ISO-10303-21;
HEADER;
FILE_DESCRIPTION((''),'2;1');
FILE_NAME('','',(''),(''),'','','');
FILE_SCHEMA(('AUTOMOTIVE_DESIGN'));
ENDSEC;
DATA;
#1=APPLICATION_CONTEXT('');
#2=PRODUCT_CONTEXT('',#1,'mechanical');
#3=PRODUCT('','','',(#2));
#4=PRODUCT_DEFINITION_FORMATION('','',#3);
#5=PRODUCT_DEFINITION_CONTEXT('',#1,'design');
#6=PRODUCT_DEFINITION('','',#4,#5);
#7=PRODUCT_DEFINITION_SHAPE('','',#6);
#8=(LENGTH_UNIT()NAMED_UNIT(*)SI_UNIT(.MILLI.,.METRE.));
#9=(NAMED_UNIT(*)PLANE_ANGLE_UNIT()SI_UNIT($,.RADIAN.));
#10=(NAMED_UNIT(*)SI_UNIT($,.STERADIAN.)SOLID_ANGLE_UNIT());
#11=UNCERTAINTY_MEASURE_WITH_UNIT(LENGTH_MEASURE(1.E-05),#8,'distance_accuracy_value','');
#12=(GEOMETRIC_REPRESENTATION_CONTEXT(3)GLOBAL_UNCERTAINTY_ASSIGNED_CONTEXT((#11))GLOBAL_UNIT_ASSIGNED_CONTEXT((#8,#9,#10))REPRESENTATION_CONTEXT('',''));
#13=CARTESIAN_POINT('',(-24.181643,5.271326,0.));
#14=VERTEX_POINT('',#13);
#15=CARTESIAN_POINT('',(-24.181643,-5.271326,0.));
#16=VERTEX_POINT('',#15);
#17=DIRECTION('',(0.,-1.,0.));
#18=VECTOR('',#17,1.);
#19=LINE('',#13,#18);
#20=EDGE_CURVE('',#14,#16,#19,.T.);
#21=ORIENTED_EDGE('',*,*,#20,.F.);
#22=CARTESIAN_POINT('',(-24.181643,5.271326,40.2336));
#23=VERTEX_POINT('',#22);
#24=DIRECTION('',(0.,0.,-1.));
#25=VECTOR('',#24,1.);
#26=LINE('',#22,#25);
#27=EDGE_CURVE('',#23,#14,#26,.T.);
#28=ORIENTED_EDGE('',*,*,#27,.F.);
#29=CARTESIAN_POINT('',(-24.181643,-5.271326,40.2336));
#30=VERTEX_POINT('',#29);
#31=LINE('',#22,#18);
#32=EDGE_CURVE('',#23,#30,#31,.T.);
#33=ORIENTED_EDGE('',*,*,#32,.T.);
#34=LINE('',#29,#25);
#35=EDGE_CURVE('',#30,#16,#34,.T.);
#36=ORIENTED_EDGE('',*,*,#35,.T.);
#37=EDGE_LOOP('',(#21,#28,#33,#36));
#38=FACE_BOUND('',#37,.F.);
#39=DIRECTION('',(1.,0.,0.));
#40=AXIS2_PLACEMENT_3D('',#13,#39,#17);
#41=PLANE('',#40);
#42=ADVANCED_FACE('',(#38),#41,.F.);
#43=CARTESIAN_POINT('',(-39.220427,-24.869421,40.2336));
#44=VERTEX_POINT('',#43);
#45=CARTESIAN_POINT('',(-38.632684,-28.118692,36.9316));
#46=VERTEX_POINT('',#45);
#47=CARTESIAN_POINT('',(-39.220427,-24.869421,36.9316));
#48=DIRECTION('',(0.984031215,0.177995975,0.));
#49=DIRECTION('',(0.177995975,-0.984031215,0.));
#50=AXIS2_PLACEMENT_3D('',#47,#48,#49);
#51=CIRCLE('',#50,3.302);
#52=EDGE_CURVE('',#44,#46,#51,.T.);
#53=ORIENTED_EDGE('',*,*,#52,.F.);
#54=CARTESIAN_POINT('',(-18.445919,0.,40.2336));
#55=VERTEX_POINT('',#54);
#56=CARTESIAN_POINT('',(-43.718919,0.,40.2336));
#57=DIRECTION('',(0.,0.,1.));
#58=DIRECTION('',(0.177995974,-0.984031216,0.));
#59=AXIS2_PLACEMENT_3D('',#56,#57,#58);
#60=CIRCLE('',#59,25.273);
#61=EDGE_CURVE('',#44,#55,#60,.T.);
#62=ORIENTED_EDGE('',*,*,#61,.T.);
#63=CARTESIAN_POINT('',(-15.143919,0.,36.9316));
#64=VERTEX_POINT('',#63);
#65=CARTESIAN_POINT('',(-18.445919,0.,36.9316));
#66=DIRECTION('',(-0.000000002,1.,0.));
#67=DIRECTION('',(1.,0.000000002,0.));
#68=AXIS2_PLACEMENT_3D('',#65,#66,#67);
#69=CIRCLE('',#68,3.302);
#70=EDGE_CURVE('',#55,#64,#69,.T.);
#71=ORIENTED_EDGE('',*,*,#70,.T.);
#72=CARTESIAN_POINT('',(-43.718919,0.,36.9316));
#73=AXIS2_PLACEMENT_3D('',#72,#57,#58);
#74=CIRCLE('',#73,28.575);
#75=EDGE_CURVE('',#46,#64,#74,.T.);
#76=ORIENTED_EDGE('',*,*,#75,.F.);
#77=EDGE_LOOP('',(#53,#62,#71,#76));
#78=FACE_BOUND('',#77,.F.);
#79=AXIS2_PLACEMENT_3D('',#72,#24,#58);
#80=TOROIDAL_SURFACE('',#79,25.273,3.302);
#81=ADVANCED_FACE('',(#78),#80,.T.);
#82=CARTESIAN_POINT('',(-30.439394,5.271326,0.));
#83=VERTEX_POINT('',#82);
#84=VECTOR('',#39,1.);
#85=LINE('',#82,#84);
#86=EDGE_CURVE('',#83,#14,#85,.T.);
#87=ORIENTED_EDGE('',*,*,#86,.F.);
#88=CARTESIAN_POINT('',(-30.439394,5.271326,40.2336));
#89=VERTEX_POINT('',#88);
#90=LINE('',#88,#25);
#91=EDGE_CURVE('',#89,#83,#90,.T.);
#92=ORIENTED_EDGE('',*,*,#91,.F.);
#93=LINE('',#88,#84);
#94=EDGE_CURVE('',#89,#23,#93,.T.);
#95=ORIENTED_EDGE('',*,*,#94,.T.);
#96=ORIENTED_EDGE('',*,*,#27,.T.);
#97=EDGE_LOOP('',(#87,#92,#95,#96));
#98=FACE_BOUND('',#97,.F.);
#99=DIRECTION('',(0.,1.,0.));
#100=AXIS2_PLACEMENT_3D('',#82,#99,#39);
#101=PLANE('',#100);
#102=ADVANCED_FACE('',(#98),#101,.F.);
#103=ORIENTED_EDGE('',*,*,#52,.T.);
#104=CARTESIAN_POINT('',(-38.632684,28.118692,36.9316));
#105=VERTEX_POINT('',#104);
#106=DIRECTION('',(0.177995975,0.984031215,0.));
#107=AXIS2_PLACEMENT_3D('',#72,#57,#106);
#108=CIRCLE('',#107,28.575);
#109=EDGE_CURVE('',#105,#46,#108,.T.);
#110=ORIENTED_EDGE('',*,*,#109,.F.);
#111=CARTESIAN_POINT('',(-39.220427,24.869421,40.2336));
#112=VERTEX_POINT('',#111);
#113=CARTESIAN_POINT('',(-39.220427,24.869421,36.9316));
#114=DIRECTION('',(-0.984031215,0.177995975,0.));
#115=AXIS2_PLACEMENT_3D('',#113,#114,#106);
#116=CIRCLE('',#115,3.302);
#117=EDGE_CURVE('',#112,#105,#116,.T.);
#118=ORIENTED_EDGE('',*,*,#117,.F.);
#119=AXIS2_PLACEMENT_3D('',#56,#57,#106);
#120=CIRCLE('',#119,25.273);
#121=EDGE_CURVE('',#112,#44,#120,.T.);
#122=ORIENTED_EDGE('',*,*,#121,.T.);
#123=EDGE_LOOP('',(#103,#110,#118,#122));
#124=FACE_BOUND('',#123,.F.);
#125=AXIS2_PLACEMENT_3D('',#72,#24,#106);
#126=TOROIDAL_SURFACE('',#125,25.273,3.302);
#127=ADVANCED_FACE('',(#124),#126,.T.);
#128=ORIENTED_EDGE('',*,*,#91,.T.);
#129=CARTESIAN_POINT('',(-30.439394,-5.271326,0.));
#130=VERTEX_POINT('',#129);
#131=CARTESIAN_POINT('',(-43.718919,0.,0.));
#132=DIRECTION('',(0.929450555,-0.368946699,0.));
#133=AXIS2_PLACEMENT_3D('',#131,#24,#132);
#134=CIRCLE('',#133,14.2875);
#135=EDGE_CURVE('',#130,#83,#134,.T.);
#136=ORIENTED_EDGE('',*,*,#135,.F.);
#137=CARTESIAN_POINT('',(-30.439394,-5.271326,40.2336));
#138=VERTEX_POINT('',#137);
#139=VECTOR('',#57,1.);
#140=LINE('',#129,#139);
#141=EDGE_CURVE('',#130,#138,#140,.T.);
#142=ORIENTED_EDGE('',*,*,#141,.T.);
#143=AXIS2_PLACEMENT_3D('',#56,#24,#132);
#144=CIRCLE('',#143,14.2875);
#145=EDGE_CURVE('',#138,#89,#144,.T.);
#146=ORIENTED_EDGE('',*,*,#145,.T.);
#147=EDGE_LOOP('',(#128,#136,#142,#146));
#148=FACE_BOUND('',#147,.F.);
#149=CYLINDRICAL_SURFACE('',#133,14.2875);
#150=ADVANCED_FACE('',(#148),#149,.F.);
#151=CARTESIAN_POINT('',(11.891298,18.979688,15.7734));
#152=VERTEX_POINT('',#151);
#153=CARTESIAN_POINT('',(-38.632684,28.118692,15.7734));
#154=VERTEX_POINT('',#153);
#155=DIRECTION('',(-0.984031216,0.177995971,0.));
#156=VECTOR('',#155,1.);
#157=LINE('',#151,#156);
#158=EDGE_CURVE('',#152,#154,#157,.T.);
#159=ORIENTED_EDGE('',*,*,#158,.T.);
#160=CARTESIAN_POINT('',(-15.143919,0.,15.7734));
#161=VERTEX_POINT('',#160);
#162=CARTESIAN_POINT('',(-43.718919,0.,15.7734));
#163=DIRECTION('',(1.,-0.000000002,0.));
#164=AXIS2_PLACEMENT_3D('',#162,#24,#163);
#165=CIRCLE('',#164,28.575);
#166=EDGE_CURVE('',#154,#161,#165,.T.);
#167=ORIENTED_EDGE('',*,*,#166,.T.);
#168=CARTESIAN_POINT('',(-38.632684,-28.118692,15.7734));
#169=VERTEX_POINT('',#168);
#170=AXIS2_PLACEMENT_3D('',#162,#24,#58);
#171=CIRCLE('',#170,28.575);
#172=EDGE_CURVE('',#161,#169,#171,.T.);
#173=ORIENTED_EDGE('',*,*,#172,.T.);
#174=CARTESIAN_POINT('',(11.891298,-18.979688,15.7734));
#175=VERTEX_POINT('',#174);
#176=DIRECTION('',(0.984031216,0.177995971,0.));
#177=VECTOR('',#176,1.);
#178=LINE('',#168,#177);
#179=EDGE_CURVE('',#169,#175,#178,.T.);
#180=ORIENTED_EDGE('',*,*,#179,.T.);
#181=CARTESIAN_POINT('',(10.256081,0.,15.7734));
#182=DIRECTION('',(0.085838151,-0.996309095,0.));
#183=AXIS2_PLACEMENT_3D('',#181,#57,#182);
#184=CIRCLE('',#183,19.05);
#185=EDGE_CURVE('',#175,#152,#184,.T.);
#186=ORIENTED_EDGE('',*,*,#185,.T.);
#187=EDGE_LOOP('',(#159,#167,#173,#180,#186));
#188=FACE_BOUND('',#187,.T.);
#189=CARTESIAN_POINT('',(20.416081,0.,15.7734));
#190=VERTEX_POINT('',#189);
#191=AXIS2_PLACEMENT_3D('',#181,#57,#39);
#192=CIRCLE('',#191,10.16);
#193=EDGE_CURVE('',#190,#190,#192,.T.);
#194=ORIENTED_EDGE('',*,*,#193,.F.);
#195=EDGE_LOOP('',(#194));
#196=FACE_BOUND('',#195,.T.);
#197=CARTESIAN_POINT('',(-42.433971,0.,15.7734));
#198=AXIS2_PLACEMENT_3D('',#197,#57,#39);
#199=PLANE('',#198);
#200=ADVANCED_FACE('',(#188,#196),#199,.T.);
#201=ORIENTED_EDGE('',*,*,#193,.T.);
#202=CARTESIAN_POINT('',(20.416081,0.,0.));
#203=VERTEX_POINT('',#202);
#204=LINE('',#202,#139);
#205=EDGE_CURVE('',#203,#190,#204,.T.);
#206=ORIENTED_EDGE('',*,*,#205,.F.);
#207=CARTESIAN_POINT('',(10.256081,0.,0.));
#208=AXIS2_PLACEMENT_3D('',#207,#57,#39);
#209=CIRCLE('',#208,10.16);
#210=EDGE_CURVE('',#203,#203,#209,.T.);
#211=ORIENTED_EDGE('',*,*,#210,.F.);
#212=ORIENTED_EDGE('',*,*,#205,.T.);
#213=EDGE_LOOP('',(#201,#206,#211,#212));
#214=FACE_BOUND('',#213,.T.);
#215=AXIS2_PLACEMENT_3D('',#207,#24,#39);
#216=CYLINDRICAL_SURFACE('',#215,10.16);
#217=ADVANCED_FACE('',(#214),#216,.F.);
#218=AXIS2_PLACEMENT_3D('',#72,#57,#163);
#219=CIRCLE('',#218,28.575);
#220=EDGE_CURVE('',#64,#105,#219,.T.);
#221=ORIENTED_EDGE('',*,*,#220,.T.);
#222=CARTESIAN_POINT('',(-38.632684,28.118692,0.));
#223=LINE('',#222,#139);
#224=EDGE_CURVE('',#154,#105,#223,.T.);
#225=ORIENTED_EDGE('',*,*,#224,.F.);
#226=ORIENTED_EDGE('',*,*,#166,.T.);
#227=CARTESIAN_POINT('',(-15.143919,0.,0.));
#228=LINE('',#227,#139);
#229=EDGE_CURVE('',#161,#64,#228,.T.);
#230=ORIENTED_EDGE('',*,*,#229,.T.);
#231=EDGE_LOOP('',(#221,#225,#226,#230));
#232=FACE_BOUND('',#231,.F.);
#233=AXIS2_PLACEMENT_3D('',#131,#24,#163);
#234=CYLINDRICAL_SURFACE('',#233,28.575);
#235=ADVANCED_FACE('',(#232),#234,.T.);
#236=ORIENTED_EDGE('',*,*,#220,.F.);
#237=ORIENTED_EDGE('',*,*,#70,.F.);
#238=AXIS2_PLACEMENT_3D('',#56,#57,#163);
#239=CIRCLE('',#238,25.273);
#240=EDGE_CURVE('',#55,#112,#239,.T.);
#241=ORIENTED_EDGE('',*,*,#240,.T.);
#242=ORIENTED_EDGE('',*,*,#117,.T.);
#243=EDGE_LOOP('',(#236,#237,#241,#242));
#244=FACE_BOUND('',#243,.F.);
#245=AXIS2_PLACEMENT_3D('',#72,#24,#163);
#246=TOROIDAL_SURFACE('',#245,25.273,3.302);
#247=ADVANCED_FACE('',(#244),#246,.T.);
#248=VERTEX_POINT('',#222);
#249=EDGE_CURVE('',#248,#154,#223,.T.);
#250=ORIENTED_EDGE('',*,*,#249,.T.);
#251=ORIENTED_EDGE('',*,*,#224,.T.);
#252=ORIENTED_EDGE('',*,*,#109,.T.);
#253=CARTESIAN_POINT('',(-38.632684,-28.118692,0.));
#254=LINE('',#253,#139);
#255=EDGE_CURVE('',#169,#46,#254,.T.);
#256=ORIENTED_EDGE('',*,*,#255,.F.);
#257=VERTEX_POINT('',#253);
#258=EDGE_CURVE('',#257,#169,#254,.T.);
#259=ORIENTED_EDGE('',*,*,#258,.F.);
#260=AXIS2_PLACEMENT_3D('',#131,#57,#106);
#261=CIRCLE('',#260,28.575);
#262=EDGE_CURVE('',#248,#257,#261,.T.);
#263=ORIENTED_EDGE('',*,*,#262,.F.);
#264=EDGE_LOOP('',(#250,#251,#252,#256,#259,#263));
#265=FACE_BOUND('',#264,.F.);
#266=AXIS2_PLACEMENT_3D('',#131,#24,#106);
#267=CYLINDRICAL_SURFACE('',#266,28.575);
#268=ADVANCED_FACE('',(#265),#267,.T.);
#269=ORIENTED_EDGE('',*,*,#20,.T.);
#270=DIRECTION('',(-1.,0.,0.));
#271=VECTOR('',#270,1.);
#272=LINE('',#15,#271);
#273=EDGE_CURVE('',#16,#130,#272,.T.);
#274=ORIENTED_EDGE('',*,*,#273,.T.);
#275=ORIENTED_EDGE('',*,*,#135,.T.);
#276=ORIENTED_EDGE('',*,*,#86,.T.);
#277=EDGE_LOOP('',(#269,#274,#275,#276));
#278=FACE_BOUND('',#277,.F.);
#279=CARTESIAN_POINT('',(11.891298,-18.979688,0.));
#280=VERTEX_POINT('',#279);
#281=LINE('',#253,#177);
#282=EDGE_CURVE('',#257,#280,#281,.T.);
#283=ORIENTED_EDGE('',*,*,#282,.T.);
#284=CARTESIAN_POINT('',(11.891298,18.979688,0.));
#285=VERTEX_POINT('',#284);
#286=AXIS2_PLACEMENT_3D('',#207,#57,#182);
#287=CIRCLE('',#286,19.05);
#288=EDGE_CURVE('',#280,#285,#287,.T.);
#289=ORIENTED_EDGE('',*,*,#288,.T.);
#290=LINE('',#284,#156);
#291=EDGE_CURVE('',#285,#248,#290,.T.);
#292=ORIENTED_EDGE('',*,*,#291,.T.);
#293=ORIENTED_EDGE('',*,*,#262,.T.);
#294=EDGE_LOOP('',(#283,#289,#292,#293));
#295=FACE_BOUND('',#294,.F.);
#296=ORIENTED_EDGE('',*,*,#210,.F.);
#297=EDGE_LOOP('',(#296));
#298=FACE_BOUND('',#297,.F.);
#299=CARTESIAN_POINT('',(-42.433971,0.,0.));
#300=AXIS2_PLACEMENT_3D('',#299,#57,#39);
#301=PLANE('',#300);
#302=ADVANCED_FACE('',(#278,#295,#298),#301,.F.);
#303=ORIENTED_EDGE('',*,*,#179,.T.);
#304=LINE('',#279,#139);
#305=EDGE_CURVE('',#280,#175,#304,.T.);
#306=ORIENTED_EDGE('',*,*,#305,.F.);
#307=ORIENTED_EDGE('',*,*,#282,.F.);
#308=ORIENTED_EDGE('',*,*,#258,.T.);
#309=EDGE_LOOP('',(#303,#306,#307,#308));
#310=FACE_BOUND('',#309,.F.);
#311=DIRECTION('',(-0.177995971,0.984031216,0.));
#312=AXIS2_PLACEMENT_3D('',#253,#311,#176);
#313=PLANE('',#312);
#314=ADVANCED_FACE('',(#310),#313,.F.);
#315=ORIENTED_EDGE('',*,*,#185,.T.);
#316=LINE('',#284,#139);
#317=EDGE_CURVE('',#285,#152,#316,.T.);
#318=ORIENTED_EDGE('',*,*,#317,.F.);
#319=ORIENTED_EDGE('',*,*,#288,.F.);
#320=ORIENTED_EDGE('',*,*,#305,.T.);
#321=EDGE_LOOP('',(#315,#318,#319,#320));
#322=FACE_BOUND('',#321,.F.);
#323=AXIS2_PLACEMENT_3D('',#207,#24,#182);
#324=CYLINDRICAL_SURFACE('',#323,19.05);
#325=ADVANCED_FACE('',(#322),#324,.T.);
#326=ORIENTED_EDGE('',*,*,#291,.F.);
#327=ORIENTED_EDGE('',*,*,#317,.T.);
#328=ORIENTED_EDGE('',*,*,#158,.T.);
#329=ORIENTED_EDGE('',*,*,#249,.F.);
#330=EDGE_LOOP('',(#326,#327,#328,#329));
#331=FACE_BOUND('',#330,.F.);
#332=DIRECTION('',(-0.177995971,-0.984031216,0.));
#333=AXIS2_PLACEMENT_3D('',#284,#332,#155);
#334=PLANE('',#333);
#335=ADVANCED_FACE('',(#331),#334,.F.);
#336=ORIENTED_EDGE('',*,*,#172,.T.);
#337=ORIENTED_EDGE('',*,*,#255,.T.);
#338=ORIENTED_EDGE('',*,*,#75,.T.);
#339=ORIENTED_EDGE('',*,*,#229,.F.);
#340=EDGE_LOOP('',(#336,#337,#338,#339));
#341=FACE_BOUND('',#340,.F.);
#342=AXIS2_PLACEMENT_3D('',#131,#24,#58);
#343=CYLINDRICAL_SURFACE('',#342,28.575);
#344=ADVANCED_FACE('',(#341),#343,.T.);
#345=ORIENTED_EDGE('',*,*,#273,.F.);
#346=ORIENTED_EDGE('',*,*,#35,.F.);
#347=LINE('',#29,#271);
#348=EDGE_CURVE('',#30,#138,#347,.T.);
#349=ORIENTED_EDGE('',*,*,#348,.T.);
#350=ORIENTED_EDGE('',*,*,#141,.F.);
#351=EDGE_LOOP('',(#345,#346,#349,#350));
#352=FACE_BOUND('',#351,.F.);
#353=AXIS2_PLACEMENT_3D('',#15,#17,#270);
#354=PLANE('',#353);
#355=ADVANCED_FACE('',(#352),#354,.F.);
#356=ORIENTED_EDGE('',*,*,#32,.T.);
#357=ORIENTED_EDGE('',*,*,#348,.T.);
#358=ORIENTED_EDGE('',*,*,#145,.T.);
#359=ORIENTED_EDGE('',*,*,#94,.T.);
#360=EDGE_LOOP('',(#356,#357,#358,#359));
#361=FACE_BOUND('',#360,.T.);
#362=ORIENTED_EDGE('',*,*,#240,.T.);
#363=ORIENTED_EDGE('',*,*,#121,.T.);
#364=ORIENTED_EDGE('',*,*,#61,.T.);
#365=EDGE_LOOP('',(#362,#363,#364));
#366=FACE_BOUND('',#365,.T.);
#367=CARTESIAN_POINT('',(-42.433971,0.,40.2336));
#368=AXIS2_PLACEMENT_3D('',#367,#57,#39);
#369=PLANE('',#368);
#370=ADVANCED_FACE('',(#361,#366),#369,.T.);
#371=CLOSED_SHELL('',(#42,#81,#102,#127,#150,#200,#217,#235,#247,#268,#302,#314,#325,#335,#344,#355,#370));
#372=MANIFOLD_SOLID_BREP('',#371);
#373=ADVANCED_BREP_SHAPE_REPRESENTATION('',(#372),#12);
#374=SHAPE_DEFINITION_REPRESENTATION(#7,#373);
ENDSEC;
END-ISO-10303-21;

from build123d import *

# Parameters (mm, degrees)
F1_DEPTH = 40.2336
F0_R     = 10.16
F2_DEPTH = 15.7734
F3_R     = 3.302


with BuildPart() as f1:
    # F0 (on Top) → F1 (new body)
    with BuildSketch(Plane.XY):
        with BuildLine():
            ThreePointArc((-38.632684, -28.118692), (-21.788691, -18.319272), (-15.143919, 0))
            ThreePointArc((-15.143919, 0), (-21.788691, 18.319272), (-38.632684, 28.118692))
            ThreePointArc((-38.632684, 28.118692), (-72.293919, 0), (-38.632684, -28.118692))
        make_face()
        with BuildLine():
            ThreePointArc((-30.439394, -5.271326), (-58.006419, 0), (-30.439394, 5.271326))
            Line((-30.439394, 5.271326), (-24.181643, 5.271326))
            Line((-24.181643, 5.271326), (-24.181643, -5.271326))
            Line((-24.181643, -5.271326), (-30.439394, -5.271326))
        make_face(mode=Mode.SUBTRACT)
    extrude(amount=F1_DEPTH)

    # F0 (on Top) → F2 (join)
    with BuildSketch(Plane.XY):
        with BuildLine():
            ThreePointArc((-38.632684, -28.118692), (-21.788691, -18.319272), (-15.143919, 0))
            ThreePointArc((-15.143919, 0), (-21.788691, 18.319272), (-38.632684, 28.118692))
            ThreePointArc((-38.632684, 28.118692), (-72.293919, 0), (-38.632684, -28.118692))
        make_face()
        with BuildLine():
            ThreePointArc((-30.439394, -5.271326), (-58.006419, 0), (-30.439394, 5.271326))
            Line((-30.439394, 5.271326), (-24.181643, 5.271326))
            Line((-24.181643, 5.271326), (-24.181643, -5.271326))
            Line((-24.181643, -5.271326), (-30.439394, -5.271326))
        make_face(mode=Mode.SUBTRACT)
        with BuildLine():
            ThreePointArc((-38.632684, 28.118692), (-21.788691, 18.319272), (-15.143919, 0))
            ThreePointArc((-15.143919, 0), (-21.788691, -18.319272), (-38.632684, -28.118692))
            Line((-38.632684, -28.118692), (11.891298, -18.979688))
            ThreePointArc((11.891298, -18.979688), (29.306081, 0), (11.891298, 18.979688))
            Line((11.891298, 18.979688), (-38.632684, 28.118692))
        make_face()
        with Locations((10.256081, 0)):
            Circle(F0_R, mode=Mode.SUBTRACT)
    extrude(amount=F2_DEPTH)

    # F3
    f3_edges = [f1.edges().sort_by_distance(p)[0] for p in [
        (-48.805153, 28.118692, 40.2336),
    ]]
    fillet(f3_edges, radius=F3_R)


solid = f1.part
